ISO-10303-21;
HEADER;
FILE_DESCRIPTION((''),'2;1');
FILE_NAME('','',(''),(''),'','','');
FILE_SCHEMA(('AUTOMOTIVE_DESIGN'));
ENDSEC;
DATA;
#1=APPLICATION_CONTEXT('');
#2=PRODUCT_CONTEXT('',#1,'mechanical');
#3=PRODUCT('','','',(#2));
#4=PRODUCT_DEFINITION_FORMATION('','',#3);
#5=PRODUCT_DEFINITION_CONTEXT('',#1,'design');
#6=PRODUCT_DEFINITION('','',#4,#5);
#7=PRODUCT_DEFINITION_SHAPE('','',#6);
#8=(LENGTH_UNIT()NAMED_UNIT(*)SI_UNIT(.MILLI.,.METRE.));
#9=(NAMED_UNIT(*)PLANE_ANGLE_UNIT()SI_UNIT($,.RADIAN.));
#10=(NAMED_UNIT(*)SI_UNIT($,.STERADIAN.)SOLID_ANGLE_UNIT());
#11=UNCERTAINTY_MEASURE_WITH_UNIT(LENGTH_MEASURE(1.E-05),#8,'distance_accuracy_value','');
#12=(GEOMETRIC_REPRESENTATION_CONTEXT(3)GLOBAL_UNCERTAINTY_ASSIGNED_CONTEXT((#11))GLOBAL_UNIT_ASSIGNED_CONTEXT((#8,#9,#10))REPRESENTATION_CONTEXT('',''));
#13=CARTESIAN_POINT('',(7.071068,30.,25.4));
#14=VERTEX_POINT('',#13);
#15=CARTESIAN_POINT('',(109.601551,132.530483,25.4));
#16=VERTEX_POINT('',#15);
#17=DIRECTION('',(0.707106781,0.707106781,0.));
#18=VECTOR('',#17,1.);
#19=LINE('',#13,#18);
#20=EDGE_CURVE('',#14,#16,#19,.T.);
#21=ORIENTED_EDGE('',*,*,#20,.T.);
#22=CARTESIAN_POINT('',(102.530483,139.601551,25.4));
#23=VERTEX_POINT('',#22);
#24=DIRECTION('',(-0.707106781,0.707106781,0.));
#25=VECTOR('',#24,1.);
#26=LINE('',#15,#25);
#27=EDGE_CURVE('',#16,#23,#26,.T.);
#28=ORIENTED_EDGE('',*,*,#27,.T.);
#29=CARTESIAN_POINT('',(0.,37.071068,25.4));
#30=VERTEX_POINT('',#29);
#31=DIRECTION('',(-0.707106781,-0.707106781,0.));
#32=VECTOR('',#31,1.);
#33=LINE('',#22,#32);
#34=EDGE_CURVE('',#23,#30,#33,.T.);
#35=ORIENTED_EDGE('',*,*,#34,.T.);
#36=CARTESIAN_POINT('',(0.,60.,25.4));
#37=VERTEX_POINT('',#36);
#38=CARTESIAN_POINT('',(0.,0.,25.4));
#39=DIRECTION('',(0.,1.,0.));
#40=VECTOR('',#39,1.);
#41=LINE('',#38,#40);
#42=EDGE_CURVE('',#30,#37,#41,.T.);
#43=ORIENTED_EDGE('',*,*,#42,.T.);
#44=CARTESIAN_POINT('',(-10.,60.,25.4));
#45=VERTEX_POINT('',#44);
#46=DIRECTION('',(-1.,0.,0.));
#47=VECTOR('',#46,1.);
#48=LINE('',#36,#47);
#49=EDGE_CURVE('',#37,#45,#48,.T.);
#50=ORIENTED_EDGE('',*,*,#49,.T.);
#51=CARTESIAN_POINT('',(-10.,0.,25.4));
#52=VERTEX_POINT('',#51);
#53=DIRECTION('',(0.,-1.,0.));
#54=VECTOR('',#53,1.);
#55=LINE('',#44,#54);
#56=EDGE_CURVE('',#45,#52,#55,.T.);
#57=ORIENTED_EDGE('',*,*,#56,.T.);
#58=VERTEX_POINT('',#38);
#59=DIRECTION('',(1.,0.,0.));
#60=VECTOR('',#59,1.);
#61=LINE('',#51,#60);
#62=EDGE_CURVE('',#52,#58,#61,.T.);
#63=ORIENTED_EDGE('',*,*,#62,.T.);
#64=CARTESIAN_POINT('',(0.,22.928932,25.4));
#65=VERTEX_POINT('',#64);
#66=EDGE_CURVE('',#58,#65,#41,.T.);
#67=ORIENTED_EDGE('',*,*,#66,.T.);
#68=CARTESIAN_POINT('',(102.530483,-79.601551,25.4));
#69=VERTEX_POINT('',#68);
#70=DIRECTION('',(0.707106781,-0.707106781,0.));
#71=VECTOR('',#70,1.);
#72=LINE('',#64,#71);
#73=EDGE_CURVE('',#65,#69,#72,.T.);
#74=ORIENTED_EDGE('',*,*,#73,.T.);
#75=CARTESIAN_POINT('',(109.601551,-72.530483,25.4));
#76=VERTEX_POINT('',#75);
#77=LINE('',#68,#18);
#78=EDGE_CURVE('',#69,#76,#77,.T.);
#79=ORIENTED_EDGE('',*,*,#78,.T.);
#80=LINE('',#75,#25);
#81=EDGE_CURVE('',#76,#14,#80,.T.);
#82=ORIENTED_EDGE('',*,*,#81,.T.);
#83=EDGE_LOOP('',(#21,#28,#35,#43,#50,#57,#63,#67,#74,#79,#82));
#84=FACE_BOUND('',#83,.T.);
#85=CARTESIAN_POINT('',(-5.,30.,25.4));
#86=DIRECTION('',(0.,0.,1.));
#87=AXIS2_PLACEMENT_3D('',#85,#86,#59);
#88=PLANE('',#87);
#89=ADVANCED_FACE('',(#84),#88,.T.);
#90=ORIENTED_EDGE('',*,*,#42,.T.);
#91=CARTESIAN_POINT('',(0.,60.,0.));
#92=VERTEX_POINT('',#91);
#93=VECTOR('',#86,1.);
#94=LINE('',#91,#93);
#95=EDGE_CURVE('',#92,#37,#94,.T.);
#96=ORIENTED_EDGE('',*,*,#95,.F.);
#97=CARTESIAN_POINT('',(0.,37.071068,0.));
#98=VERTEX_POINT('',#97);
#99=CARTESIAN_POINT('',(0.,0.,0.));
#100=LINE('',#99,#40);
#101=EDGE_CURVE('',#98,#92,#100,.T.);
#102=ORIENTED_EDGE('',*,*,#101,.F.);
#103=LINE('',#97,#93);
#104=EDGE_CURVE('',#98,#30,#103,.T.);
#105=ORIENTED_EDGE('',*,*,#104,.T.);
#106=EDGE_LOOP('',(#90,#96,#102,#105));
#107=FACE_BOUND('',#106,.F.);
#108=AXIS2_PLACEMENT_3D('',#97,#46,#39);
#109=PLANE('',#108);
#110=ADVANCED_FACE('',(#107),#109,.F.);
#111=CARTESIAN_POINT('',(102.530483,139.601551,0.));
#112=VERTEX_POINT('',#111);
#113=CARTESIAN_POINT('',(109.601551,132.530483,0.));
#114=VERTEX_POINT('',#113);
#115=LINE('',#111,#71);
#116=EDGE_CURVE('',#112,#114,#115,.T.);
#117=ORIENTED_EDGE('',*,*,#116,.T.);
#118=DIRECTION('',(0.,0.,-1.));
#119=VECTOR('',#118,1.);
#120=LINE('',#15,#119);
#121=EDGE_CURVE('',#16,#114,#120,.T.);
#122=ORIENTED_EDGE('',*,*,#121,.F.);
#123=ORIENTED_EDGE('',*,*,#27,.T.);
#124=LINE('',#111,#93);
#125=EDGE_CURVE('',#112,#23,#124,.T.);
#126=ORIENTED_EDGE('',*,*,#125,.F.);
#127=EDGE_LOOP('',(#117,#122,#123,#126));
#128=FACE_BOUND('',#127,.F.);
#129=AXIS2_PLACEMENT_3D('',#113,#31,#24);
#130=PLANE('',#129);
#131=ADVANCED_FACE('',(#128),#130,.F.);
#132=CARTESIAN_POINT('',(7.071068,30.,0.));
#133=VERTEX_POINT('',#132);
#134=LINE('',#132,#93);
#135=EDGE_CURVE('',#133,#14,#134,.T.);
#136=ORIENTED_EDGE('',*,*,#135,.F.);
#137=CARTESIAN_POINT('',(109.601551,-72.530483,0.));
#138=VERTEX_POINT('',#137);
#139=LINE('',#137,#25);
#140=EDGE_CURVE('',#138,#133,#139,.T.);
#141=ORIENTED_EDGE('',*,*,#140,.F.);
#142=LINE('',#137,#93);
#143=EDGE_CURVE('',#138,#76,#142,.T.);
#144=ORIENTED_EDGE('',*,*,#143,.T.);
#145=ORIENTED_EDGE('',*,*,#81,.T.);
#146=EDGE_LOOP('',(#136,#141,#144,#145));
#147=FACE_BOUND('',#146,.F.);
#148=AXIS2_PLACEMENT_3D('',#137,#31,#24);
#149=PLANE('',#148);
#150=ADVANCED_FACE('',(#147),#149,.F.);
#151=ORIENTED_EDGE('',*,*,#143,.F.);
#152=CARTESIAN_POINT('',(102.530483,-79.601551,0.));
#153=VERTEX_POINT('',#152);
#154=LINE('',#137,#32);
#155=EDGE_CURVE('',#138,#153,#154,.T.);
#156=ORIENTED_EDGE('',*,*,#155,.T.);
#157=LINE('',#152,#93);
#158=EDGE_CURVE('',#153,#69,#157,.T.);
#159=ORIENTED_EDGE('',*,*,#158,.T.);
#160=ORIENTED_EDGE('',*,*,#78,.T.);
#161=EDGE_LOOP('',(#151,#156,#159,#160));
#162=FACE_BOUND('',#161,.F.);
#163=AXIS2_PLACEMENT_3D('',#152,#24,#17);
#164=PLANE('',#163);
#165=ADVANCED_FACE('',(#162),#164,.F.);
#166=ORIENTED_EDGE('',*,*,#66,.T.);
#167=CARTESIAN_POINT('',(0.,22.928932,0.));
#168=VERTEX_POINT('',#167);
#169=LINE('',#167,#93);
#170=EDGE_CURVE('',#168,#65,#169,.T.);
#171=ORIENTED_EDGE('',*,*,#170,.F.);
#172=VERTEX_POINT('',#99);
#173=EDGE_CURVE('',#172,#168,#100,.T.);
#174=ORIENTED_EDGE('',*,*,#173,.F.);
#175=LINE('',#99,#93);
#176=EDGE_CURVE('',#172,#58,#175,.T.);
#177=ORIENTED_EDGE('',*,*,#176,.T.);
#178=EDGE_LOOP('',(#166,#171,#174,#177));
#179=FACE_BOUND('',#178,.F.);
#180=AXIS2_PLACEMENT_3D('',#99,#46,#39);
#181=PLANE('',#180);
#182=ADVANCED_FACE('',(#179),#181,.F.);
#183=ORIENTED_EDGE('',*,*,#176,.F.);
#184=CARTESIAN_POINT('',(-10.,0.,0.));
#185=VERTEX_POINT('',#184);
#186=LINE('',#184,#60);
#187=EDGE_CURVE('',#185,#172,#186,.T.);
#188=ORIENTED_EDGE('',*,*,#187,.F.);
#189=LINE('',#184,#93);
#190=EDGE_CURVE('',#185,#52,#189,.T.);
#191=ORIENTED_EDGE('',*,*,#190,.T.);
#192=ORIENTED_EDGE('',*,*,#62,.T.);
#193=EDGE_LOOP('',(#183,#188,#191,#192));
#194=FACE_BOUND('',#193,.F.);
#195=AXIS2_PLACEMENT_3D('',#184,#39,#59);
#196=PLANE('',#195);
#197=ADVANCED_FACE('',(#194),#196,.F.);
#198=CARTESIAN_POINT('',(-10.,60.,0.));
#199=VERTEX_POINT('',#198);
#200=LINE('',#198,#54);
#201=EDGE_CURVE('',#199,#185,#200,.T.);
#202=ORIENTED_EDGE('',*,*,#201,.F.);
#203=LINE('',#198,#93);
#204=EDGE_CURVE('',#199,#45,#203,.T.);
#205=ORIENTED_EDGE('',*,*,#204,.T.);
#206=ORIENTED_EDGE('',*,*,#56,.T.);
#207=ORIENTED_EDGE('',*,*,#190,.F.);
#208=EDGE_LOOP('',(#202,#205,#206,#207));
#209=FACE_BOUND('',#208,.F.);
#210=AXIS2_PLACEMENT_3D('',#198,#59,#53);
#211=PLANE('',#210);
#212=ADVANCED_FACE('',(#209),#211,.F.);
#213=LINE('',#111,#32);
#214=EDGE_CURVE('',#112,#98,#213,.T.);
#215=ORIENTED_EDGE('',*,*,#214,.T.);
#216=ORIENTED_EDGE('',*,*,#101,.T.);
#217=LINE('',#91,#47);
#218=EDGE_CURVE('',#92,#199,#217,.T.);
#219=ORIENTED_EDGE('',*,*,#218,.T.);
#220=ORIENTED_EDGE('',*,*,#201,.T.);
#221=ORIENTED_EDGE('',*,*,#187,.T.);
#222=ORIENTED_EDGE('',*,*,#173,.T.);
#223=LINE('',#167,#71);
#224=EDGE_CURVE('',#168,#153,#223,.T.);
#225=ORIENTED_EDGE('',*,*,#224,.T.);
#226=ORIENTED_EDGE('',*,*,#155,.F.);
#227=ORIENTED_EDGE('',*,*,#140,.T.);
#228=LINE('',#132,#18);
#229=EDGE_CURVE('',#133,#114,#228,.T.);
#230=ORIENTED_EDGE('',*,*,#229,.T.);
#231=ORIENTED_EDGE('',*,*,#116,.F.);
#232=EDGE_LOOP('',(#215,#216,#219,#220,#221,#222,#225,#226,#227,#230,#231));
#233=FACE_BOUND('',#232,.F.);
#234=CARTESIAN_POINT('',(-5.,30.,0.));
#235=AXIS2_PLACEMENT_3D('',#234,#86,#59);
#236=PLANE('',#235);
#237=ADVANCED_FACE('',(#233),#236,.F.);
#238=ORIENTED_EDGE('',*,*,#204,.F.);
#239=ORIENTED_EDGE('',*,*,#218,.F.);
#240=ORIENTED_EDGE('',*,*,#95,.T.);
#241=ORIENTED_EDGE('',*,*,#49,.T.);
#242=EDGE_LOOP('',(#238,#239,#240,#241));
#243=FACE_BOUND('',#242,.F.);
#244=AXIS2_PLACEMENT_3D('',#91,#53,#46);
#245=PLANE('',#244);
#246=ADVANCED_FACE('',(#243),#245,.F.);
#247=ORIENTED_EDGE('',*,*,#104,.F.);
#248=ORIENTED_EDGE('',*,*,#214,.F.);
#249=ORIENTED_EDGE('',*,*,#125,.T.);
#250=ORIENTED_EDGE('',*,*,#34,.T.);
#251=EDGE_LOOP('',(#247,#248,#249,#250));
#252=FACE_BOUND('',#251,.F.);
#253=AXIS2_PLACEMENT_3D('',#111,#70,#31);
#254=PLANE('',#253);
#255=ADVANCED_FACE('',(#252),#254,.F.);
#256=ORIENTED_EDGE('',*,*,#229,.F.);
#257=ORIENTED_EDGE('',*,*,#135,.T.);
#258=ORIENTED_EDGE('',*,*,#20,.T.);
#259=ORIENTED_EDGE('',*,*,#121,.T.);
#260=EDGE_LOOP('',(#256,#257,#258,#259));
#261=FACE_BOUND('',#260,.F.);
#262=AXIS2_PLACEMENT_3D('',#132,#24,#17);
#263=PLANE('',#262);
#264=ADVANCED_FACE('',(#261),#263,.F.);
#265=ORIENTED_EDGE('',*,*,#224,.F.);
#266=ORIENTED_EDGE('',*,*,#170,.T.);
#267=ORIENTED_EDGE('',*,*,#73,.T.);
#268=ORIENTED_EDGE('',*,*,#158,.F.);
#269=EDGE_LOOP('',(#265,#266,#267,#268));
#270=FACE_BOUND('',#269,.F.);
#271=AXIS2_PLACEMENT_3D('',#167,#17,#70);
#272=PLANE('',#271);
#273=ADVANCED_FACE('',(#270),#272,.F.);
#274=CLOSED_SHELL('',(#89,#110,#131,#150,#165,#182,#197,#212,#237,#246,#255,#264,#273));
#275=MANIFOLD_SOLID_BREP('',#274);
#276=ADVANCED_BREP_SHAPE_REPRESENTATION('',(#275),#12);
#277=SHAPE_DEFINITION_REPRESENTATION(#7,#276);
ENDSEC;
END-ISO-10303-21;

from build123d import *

# Parameters (mm, degrees)
F1_DEPTH = 12.7
F2_DEPTH = 25.4


with BuildPart() as f1:
    # F0 (on Top) → F1 (new body)
    with BuildSketch(Plane.XY):
        Polygon((106.066017, 136.066017), (0, 30), (106.066017, -76.066017), (109.601551, -72.530483), (7.071068, 30), (109.601551, 132.530483), align=None)
    extrude(amount=F1_DEPTH)

    # F0 (on Top) → F2 (join)
    with BuildSketch(Plane.XY):
        Polygon((-10, 0), (0, 0), (0, 22.928932), (0, 30), (0, 37.071068), (0, 60), (-10, 60), align=None)
        Polygon((0, 30), (0, 22.928932), (102.530483, -79.601551), (106.066017, -76.066017), align=None)
        Polygon((0, 37.071068), (0, 30), (106.066017, 136.066017), (102.530483, 139.601551), align=None)
        Polygon((106.066017, 136.066017), (0, 30), (106.066017, -76.066017), (109.601551, -72.530483), (7.071068, 30), (109.601551, 132.530483), align=None)
    extrude(amount=F2_DEPTH)


solid = f1.part
